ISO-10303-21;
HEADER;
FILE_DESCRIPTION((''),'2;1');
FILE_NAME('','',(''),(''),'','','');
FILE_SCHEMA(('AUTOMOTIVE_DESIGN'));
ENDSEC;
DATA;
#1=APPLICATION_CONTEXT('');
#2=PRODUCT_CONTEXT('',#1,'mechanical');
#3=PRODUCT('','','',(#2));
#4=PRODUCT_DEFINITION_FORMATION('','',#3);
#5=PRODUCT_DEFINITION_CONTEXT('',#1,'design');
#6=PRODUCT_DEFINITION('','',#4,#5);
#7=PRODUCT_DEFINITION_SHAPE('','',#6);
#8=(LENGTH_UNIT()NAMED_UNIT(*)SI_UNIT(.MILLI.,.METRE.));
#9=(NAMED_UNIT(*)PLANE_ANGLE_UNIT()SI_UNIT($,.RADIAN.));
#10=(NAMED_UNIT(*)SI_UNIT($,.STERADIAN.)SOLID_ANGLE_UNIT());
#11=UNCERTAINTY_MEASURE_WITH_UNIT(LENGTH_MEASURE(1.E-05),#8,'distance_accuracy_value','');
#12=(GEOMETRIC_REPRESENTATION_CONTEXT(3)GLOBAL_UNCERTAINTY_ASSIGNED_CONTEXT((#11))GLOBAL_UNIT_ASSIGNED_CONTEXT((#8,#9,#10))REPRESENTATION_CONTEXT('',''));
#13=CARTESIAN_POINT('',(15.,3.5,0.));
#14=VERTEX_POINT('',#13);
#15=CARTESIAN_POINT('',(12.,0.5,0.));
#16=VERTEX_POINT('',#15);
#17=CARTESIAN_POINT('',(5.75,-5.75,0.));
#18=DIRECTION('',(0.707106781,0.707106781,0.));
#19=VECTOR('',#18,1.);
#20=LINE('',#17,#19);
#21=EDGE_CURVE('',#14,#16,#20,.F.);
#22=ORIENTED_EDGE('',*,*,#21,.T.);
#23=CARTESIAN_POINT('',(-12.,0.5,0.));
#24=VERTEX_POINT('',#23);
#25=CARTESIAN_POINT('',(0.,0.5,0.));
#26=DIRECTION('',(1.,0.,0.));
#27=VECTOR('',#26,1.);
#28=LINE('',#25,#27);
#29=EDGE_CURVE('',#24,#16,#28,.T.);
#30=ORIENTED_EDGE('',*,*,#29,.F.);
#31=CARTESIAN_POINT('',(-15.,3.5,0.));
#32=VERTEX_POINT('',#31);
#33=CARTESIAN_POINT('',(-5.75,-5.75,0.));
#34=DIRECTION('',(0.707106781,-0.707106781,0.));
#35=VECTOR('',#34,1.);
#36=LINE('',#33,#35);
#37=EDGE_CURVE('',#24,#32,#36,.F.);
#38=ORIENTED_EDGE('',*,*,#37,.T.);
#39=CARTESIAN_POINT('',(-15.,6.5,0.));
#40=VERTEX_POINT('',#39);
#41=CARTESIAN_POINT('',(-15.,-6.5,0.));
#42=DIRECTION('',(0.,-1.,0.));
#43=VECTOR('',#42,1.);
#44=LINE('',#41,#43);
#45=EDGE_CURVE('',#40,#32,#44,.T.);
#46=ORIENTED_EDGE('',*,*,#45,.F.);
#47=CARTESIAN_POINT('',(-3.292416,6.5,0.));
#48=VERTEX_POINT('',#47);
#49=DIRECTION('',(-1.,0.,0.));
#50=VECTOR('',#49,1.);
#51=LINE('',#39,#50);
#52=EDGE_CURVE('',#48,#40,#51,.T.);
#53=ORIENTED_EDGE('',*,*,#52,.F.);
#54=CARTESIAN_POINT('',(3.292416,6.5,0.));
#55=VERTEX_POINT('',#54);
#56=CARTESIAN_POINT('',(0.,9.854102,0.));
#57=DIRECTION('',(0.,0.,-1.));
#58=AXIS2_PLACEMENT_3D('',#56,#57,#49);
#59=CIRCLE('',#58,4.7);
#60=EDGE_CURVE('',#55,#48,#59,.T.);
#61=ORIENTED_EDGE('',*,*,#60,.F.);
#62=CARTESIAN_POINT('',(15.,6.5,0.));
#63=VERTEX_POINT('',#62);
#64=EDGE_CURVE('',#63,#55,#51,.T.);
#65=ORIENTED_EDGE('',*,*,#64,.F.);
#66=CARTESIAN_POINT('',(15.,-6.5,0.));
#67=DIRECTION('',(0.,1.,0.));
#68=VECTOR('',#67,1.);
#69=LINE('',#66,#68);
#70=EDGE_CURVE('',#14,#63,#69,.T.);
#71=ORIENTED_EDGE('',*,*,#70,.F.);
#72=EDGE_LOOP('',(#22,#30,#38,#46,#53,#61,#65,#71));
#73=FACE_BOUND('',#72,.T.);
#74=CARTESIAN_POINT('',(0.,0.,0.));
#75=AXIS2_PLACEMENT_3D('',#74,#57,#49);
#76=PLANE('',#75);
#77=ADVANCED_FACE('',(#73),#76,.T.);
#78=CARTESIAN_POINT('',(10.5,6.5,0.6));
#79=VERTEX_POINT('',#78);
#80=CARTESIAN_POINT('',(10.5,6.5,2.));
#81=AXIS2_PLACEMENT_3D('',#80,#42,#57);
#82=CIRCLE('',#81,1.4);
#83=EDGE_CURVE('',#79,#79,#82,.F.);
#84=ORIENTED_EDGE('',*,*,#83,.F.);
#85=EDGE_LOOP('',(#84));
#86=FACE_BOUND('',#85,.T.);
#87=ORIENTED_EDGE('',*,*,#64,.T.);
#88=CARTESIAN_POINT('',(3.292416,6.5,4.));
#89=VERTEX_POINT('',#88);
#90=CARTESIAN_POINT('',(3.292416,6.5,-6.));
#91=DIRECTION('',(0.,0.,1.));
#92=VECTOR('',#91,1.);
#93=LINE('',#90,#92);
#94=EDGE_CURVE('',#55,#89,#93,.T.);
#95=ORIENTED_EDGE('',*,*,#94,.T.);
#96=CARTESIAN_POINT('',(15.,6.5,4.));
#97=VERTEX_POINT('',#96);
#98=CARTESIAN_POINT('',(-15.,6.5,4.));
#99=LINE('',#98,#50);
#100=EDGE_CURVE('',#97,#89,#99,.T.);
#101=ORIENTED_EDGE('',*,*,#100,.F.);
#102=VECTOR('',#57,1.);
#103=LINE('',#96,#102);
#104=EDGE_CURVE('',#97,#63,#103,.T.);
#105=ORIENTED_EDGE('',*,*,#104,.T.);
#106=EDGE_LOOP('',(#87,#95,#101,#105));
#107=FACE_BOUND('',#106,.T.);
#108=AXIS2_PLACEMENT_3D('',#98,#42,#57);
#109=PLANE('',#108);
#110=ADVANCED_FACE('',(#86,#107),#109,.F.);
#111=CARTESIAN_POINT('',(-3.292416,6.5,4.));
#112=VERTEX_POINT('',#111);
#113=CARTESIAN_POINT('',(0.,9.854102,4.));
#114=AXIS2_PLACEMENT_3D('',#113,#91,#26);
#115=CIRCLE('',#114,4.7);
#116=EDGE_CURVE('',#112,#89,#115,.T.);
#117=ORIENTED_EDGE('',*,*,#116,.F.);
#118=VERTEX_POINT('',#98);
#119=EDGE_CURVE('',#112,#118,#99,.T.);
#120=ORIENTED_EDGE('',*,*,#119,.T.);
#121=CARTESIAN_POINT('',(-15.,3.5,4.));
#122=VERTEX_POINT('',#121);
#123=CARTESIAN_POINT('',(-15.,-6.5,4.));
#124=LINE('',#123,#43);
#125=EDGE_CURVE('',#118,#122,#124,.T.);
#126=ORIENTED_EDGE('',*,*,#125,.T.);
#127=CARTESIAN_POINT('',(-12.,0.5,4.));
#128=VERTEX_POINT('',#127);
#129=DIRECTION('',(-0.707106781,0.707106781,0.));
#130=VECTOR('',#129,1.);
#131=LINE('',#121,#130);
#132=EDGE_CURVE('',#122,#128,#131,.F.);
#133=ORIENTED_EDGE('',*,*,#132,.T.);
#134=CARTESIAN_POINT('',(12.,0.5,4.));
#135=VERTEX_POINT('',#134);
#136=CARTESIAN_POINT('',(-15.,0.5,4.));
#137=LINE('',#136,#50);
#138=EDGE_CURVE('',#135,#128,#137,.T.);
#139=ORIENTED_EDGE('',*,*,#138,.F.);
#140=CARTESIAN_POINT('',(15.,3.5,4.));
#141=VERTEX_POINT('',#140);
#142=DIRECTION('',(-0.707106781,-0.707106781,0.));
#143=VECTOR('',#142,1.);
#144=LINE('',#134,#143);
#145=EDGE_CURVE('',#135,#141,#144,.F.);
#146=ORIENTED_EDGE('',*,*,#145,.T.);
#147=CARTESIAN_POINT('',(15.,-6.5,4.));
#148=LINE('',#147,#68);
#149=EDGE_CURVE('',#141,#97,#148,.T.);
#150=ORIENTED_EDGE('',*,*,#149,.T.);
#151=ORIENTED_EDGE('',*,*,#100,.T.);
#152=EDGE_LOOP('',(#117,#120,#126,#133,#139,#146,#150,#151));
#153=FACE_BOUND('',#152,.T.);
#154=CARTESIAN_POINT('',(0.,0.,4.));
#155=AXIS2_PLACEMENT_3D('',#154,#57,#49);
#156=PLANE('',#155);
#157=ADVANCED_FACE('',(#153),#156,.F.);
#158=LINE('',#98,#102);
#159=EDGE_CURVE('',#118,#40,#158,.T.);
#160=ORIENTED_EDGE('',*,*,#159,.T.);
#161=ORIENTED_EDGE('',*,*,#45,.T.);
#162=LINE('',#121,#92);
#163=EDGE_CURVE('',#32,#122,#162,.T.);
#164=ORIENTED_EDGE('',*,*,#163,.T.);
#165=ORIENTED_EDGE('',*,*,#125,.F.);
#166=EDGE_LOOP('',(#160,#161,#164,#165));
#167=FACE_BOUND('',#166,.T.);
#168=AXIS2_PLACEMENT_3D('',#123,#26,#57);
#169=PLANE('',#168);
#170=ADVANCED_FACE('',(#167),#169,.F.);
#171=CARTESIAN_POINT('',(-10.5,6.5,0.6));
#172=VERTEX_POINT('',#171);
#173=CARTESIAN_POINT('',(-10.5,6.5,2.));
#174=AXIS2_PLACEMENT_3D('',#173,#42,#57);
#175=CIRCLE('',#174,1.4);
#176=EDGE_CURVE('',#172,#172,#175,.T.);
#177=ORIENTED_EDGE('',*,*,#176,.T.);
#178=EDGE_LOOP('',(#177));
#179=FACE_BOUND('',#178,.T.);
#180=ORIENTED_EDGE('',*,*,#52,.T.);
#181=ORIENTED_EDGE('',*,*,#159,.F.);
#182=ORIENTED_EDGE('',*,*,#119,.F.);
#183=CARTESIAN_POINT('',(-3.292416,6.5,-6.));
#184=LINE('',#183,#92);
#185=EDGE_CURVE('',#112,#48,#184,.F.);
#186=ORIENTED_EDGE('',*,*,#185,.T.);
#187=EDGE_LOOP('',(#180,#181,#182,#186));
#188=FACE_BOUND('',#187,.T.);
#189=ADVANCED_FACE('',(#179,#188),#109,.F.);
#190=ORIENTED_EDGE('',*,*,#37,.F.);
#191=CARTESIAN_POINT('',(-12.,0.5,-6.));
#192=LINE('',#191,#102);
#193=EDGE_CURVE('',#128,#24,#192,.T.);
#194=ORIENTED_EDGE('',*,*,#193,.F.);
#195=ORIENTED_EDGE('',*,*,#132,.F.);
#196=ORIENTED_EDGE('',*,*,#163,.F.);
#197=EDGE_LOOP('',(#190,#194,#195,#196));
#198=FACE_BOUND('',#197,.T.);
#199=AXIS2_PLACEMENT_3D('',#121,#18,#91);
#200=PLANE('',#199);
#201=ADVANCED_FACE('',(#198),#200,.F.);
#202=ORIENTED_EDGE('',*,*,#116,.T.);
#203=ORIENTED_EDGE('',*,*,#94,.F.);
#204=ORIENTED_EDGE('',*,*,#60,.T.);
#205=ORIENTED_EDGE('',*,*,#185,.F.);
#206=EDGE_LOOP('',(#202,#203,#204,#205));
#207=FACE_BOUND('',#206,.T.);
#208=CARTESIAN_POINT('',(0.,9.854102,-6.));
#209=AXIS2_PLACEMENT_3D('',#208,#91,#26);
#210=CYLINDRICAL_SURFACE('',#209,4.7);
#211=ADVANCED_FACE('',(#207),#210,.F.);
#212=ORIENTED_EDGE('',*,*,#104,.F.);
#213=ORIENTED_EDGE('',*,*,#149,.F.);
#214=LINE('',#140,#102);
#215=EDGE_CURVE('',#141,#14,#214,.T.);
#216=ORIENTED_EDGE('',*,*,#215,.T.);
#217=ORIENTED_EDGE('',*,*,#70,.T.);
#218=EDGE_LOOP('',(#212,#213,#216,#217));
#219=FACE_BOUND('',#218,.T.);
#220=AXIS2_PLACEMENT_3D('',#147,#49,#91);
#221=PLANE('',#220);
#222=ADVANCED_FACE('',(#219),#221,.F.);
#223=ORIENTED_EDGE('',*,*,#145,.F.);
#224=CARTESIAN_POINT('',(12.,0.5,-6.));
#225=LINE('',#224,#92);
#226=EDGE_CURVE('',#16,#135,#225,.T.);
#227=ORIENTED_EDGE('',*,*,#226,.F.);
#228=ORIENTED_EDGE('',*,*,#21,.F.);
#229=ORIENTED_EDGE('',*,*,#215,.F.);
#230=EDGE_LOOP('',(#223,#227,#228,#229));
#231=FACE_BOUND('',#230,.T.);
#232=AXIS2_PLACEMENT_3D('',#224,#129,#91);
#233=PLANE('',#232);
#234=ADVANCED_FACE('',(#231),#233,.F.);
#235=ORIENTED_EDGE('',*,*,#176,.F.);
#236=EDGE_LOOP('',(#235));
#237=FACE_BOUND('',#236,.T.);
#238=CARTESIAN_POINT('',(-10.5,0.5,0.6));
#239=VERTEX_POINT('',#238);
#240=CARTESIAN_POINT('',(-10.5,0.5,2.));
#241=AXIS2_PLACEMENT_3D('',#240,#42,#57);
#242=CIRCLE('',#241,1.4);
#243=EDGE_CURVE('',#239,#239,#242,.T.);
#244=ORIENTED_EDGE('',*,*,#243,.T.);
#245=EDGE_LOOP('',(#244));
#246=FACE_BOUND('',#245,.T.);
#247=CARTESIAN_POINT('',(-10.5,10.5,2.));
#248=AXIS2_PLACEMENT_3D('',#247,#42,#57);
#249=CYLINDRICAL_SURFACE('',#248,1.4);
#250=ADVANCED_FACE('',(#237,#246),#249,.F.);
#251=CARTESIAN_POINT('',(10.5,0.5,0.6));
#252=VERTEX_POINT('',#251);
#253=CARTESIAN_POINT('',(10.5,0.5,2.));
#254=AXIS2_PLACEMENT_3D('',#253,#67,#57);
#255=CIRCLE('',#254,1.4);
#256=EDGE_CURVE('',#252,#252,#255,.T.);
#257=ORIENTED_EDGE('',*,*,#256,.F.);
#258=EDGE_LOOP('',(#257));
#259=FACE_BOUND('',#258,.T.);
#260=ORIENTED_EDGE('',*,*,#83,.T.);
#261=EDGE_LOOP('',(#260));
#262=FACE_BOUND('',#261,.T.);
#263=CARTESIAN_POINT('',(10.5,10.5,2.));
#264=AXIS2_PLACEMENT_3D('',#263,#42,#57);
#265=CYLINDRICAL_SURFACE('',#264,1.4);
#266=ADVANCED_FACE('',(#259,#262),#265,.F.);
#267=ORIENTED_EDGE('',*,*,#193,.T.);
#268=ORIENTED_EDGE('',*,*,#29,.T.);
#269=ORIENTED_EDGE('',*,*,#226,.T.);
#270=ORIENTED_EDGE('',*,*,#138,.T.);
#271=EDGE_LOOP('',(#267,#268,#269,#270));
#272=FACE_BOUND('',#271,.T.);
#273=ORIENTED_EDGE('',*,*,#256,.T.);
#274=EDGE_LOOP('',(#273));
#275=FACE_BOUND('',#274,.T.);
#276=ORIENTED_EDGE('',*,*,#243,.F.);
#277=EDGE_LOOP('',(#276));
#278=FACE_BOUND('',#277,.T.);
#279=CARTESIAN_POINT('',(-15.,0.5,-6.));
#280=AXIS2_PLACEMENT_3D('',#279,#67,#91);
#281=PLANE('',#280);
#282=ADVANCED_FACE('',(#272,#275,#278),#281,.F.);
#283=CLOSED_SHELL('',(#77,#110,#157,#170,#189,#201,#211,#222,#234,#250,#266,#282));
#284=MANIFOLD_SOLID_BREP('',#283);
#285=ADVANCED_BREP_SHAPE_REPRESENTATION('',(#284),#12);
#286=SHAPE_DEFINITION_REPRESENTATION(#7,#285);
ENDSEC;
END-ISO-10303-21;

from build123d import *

# Parameters (mm, degrees)
SKETCH_1_W             = 30
SKETCH_1_H             = 13
EXTRUDE_1_DEPTH        = 4
SKETCH_3_R             = 4.7
CUT_EXTRUDE_2_DEPTH    = 10
HOLE_WIZARD_M2_1_D     = 1.6
HOLE_WIZARD_M2_1_DEPTH = 6
HOLE_WIZARD_M2_1_TIP   = 0.480688495
SKETCH_7_W             = 30
SKETCH_7_H             = 7
CUT_EXTRUDE_3_DEPTH    = 10
CHAMFER_1_SIZE         = 3
SKETCH_8_R             = 1.4
CUT_EXTRUDE_4_DEPTH    = 10


with BuildPart() as part:
    # 草图1 → 凸台-拉伸1 (new body)
    with BuildSketch(Plane.XY):
        Rectangle(SKETCH_1_W, SKETCH_1_H)
    extrude(amount=EXTRUDE_1_DEPTH)

    # 草图3 → 切除-拉伸2 (cut)
    with BuildSketch(Plane.XY.offset(4)):
        with Locations((0, 9.854101966)):
            Circle(SKETCH_3_R)
    extrude(amount=-CUT_EXTRUDE_2_DEPTH, mode=Mode.SUBTRACT)

    # M2 螺纹孔1
    with Locations(Plane(origin=(0, -0.645898034, 4), x_dir=(1, 0, 0), z_dir=(0, 0, 1))):
        with Locations((0, 0)):
            Hole(HOLE_WIZARD_M2_1_D / 2, depth=HOLE_WIZARD_M2_1_DEPTH)
            with Locations((0, 0, -(HOLE_WIZARD_M2_1_DEPTH + HOLE_WIZARD_M2_1_TIP / 2))):  # 118° drill point
                Cone(0, HOLE_WIZARD_M2_1_D / 2, HOLE_WIZARD_M2_1_TIP, mode=Mode.SUBTRACT)

    # 草图7 → 切除-拉伸3 (cut)
    with BuildSketch(Plane.XY.offset(4)):
        with Locations((0, -3)):
            Rectangle(SKETCH_7_W, SKETCH_7_H)
    extrude(amount=-CUT_EXTRUDE_3_DEPTH, mode=Mode.SUBTRACT)

    # 倒角1
    chamfer_1_edges = [part.edges().sort_by_distance(p)[0] for p in [
        (-15, 0.5, 2),
        (15, 0.5, 2),
    ]]
    chamfer(chamfer_1_edges, length=CHAMFER_1_SIZE)

    # 草图8 → 切除-拉伸4 (cut)
    with BuildSketch(Plane.XZ.offset(-0.5)):
        with Locations(Location((-10.5, 2, 0), (0, 0, 270))):
            Circle(SKETCH_8_R)
    cut_extrude_4 = extrude(amount=-CUT_EXTRUDE_4_DEPTH, mode=Mode.SUBTRACT)

    # 镜向1: 切除-拉伸4 across plane
    add(cut_extrude_4.mirror(Plane(origin=(0, 0, 0), x_dir=(0, 0, 1), z_dir=(1, 0, 0))), mode=Mode.SUBTRACT)


solid = part.part
